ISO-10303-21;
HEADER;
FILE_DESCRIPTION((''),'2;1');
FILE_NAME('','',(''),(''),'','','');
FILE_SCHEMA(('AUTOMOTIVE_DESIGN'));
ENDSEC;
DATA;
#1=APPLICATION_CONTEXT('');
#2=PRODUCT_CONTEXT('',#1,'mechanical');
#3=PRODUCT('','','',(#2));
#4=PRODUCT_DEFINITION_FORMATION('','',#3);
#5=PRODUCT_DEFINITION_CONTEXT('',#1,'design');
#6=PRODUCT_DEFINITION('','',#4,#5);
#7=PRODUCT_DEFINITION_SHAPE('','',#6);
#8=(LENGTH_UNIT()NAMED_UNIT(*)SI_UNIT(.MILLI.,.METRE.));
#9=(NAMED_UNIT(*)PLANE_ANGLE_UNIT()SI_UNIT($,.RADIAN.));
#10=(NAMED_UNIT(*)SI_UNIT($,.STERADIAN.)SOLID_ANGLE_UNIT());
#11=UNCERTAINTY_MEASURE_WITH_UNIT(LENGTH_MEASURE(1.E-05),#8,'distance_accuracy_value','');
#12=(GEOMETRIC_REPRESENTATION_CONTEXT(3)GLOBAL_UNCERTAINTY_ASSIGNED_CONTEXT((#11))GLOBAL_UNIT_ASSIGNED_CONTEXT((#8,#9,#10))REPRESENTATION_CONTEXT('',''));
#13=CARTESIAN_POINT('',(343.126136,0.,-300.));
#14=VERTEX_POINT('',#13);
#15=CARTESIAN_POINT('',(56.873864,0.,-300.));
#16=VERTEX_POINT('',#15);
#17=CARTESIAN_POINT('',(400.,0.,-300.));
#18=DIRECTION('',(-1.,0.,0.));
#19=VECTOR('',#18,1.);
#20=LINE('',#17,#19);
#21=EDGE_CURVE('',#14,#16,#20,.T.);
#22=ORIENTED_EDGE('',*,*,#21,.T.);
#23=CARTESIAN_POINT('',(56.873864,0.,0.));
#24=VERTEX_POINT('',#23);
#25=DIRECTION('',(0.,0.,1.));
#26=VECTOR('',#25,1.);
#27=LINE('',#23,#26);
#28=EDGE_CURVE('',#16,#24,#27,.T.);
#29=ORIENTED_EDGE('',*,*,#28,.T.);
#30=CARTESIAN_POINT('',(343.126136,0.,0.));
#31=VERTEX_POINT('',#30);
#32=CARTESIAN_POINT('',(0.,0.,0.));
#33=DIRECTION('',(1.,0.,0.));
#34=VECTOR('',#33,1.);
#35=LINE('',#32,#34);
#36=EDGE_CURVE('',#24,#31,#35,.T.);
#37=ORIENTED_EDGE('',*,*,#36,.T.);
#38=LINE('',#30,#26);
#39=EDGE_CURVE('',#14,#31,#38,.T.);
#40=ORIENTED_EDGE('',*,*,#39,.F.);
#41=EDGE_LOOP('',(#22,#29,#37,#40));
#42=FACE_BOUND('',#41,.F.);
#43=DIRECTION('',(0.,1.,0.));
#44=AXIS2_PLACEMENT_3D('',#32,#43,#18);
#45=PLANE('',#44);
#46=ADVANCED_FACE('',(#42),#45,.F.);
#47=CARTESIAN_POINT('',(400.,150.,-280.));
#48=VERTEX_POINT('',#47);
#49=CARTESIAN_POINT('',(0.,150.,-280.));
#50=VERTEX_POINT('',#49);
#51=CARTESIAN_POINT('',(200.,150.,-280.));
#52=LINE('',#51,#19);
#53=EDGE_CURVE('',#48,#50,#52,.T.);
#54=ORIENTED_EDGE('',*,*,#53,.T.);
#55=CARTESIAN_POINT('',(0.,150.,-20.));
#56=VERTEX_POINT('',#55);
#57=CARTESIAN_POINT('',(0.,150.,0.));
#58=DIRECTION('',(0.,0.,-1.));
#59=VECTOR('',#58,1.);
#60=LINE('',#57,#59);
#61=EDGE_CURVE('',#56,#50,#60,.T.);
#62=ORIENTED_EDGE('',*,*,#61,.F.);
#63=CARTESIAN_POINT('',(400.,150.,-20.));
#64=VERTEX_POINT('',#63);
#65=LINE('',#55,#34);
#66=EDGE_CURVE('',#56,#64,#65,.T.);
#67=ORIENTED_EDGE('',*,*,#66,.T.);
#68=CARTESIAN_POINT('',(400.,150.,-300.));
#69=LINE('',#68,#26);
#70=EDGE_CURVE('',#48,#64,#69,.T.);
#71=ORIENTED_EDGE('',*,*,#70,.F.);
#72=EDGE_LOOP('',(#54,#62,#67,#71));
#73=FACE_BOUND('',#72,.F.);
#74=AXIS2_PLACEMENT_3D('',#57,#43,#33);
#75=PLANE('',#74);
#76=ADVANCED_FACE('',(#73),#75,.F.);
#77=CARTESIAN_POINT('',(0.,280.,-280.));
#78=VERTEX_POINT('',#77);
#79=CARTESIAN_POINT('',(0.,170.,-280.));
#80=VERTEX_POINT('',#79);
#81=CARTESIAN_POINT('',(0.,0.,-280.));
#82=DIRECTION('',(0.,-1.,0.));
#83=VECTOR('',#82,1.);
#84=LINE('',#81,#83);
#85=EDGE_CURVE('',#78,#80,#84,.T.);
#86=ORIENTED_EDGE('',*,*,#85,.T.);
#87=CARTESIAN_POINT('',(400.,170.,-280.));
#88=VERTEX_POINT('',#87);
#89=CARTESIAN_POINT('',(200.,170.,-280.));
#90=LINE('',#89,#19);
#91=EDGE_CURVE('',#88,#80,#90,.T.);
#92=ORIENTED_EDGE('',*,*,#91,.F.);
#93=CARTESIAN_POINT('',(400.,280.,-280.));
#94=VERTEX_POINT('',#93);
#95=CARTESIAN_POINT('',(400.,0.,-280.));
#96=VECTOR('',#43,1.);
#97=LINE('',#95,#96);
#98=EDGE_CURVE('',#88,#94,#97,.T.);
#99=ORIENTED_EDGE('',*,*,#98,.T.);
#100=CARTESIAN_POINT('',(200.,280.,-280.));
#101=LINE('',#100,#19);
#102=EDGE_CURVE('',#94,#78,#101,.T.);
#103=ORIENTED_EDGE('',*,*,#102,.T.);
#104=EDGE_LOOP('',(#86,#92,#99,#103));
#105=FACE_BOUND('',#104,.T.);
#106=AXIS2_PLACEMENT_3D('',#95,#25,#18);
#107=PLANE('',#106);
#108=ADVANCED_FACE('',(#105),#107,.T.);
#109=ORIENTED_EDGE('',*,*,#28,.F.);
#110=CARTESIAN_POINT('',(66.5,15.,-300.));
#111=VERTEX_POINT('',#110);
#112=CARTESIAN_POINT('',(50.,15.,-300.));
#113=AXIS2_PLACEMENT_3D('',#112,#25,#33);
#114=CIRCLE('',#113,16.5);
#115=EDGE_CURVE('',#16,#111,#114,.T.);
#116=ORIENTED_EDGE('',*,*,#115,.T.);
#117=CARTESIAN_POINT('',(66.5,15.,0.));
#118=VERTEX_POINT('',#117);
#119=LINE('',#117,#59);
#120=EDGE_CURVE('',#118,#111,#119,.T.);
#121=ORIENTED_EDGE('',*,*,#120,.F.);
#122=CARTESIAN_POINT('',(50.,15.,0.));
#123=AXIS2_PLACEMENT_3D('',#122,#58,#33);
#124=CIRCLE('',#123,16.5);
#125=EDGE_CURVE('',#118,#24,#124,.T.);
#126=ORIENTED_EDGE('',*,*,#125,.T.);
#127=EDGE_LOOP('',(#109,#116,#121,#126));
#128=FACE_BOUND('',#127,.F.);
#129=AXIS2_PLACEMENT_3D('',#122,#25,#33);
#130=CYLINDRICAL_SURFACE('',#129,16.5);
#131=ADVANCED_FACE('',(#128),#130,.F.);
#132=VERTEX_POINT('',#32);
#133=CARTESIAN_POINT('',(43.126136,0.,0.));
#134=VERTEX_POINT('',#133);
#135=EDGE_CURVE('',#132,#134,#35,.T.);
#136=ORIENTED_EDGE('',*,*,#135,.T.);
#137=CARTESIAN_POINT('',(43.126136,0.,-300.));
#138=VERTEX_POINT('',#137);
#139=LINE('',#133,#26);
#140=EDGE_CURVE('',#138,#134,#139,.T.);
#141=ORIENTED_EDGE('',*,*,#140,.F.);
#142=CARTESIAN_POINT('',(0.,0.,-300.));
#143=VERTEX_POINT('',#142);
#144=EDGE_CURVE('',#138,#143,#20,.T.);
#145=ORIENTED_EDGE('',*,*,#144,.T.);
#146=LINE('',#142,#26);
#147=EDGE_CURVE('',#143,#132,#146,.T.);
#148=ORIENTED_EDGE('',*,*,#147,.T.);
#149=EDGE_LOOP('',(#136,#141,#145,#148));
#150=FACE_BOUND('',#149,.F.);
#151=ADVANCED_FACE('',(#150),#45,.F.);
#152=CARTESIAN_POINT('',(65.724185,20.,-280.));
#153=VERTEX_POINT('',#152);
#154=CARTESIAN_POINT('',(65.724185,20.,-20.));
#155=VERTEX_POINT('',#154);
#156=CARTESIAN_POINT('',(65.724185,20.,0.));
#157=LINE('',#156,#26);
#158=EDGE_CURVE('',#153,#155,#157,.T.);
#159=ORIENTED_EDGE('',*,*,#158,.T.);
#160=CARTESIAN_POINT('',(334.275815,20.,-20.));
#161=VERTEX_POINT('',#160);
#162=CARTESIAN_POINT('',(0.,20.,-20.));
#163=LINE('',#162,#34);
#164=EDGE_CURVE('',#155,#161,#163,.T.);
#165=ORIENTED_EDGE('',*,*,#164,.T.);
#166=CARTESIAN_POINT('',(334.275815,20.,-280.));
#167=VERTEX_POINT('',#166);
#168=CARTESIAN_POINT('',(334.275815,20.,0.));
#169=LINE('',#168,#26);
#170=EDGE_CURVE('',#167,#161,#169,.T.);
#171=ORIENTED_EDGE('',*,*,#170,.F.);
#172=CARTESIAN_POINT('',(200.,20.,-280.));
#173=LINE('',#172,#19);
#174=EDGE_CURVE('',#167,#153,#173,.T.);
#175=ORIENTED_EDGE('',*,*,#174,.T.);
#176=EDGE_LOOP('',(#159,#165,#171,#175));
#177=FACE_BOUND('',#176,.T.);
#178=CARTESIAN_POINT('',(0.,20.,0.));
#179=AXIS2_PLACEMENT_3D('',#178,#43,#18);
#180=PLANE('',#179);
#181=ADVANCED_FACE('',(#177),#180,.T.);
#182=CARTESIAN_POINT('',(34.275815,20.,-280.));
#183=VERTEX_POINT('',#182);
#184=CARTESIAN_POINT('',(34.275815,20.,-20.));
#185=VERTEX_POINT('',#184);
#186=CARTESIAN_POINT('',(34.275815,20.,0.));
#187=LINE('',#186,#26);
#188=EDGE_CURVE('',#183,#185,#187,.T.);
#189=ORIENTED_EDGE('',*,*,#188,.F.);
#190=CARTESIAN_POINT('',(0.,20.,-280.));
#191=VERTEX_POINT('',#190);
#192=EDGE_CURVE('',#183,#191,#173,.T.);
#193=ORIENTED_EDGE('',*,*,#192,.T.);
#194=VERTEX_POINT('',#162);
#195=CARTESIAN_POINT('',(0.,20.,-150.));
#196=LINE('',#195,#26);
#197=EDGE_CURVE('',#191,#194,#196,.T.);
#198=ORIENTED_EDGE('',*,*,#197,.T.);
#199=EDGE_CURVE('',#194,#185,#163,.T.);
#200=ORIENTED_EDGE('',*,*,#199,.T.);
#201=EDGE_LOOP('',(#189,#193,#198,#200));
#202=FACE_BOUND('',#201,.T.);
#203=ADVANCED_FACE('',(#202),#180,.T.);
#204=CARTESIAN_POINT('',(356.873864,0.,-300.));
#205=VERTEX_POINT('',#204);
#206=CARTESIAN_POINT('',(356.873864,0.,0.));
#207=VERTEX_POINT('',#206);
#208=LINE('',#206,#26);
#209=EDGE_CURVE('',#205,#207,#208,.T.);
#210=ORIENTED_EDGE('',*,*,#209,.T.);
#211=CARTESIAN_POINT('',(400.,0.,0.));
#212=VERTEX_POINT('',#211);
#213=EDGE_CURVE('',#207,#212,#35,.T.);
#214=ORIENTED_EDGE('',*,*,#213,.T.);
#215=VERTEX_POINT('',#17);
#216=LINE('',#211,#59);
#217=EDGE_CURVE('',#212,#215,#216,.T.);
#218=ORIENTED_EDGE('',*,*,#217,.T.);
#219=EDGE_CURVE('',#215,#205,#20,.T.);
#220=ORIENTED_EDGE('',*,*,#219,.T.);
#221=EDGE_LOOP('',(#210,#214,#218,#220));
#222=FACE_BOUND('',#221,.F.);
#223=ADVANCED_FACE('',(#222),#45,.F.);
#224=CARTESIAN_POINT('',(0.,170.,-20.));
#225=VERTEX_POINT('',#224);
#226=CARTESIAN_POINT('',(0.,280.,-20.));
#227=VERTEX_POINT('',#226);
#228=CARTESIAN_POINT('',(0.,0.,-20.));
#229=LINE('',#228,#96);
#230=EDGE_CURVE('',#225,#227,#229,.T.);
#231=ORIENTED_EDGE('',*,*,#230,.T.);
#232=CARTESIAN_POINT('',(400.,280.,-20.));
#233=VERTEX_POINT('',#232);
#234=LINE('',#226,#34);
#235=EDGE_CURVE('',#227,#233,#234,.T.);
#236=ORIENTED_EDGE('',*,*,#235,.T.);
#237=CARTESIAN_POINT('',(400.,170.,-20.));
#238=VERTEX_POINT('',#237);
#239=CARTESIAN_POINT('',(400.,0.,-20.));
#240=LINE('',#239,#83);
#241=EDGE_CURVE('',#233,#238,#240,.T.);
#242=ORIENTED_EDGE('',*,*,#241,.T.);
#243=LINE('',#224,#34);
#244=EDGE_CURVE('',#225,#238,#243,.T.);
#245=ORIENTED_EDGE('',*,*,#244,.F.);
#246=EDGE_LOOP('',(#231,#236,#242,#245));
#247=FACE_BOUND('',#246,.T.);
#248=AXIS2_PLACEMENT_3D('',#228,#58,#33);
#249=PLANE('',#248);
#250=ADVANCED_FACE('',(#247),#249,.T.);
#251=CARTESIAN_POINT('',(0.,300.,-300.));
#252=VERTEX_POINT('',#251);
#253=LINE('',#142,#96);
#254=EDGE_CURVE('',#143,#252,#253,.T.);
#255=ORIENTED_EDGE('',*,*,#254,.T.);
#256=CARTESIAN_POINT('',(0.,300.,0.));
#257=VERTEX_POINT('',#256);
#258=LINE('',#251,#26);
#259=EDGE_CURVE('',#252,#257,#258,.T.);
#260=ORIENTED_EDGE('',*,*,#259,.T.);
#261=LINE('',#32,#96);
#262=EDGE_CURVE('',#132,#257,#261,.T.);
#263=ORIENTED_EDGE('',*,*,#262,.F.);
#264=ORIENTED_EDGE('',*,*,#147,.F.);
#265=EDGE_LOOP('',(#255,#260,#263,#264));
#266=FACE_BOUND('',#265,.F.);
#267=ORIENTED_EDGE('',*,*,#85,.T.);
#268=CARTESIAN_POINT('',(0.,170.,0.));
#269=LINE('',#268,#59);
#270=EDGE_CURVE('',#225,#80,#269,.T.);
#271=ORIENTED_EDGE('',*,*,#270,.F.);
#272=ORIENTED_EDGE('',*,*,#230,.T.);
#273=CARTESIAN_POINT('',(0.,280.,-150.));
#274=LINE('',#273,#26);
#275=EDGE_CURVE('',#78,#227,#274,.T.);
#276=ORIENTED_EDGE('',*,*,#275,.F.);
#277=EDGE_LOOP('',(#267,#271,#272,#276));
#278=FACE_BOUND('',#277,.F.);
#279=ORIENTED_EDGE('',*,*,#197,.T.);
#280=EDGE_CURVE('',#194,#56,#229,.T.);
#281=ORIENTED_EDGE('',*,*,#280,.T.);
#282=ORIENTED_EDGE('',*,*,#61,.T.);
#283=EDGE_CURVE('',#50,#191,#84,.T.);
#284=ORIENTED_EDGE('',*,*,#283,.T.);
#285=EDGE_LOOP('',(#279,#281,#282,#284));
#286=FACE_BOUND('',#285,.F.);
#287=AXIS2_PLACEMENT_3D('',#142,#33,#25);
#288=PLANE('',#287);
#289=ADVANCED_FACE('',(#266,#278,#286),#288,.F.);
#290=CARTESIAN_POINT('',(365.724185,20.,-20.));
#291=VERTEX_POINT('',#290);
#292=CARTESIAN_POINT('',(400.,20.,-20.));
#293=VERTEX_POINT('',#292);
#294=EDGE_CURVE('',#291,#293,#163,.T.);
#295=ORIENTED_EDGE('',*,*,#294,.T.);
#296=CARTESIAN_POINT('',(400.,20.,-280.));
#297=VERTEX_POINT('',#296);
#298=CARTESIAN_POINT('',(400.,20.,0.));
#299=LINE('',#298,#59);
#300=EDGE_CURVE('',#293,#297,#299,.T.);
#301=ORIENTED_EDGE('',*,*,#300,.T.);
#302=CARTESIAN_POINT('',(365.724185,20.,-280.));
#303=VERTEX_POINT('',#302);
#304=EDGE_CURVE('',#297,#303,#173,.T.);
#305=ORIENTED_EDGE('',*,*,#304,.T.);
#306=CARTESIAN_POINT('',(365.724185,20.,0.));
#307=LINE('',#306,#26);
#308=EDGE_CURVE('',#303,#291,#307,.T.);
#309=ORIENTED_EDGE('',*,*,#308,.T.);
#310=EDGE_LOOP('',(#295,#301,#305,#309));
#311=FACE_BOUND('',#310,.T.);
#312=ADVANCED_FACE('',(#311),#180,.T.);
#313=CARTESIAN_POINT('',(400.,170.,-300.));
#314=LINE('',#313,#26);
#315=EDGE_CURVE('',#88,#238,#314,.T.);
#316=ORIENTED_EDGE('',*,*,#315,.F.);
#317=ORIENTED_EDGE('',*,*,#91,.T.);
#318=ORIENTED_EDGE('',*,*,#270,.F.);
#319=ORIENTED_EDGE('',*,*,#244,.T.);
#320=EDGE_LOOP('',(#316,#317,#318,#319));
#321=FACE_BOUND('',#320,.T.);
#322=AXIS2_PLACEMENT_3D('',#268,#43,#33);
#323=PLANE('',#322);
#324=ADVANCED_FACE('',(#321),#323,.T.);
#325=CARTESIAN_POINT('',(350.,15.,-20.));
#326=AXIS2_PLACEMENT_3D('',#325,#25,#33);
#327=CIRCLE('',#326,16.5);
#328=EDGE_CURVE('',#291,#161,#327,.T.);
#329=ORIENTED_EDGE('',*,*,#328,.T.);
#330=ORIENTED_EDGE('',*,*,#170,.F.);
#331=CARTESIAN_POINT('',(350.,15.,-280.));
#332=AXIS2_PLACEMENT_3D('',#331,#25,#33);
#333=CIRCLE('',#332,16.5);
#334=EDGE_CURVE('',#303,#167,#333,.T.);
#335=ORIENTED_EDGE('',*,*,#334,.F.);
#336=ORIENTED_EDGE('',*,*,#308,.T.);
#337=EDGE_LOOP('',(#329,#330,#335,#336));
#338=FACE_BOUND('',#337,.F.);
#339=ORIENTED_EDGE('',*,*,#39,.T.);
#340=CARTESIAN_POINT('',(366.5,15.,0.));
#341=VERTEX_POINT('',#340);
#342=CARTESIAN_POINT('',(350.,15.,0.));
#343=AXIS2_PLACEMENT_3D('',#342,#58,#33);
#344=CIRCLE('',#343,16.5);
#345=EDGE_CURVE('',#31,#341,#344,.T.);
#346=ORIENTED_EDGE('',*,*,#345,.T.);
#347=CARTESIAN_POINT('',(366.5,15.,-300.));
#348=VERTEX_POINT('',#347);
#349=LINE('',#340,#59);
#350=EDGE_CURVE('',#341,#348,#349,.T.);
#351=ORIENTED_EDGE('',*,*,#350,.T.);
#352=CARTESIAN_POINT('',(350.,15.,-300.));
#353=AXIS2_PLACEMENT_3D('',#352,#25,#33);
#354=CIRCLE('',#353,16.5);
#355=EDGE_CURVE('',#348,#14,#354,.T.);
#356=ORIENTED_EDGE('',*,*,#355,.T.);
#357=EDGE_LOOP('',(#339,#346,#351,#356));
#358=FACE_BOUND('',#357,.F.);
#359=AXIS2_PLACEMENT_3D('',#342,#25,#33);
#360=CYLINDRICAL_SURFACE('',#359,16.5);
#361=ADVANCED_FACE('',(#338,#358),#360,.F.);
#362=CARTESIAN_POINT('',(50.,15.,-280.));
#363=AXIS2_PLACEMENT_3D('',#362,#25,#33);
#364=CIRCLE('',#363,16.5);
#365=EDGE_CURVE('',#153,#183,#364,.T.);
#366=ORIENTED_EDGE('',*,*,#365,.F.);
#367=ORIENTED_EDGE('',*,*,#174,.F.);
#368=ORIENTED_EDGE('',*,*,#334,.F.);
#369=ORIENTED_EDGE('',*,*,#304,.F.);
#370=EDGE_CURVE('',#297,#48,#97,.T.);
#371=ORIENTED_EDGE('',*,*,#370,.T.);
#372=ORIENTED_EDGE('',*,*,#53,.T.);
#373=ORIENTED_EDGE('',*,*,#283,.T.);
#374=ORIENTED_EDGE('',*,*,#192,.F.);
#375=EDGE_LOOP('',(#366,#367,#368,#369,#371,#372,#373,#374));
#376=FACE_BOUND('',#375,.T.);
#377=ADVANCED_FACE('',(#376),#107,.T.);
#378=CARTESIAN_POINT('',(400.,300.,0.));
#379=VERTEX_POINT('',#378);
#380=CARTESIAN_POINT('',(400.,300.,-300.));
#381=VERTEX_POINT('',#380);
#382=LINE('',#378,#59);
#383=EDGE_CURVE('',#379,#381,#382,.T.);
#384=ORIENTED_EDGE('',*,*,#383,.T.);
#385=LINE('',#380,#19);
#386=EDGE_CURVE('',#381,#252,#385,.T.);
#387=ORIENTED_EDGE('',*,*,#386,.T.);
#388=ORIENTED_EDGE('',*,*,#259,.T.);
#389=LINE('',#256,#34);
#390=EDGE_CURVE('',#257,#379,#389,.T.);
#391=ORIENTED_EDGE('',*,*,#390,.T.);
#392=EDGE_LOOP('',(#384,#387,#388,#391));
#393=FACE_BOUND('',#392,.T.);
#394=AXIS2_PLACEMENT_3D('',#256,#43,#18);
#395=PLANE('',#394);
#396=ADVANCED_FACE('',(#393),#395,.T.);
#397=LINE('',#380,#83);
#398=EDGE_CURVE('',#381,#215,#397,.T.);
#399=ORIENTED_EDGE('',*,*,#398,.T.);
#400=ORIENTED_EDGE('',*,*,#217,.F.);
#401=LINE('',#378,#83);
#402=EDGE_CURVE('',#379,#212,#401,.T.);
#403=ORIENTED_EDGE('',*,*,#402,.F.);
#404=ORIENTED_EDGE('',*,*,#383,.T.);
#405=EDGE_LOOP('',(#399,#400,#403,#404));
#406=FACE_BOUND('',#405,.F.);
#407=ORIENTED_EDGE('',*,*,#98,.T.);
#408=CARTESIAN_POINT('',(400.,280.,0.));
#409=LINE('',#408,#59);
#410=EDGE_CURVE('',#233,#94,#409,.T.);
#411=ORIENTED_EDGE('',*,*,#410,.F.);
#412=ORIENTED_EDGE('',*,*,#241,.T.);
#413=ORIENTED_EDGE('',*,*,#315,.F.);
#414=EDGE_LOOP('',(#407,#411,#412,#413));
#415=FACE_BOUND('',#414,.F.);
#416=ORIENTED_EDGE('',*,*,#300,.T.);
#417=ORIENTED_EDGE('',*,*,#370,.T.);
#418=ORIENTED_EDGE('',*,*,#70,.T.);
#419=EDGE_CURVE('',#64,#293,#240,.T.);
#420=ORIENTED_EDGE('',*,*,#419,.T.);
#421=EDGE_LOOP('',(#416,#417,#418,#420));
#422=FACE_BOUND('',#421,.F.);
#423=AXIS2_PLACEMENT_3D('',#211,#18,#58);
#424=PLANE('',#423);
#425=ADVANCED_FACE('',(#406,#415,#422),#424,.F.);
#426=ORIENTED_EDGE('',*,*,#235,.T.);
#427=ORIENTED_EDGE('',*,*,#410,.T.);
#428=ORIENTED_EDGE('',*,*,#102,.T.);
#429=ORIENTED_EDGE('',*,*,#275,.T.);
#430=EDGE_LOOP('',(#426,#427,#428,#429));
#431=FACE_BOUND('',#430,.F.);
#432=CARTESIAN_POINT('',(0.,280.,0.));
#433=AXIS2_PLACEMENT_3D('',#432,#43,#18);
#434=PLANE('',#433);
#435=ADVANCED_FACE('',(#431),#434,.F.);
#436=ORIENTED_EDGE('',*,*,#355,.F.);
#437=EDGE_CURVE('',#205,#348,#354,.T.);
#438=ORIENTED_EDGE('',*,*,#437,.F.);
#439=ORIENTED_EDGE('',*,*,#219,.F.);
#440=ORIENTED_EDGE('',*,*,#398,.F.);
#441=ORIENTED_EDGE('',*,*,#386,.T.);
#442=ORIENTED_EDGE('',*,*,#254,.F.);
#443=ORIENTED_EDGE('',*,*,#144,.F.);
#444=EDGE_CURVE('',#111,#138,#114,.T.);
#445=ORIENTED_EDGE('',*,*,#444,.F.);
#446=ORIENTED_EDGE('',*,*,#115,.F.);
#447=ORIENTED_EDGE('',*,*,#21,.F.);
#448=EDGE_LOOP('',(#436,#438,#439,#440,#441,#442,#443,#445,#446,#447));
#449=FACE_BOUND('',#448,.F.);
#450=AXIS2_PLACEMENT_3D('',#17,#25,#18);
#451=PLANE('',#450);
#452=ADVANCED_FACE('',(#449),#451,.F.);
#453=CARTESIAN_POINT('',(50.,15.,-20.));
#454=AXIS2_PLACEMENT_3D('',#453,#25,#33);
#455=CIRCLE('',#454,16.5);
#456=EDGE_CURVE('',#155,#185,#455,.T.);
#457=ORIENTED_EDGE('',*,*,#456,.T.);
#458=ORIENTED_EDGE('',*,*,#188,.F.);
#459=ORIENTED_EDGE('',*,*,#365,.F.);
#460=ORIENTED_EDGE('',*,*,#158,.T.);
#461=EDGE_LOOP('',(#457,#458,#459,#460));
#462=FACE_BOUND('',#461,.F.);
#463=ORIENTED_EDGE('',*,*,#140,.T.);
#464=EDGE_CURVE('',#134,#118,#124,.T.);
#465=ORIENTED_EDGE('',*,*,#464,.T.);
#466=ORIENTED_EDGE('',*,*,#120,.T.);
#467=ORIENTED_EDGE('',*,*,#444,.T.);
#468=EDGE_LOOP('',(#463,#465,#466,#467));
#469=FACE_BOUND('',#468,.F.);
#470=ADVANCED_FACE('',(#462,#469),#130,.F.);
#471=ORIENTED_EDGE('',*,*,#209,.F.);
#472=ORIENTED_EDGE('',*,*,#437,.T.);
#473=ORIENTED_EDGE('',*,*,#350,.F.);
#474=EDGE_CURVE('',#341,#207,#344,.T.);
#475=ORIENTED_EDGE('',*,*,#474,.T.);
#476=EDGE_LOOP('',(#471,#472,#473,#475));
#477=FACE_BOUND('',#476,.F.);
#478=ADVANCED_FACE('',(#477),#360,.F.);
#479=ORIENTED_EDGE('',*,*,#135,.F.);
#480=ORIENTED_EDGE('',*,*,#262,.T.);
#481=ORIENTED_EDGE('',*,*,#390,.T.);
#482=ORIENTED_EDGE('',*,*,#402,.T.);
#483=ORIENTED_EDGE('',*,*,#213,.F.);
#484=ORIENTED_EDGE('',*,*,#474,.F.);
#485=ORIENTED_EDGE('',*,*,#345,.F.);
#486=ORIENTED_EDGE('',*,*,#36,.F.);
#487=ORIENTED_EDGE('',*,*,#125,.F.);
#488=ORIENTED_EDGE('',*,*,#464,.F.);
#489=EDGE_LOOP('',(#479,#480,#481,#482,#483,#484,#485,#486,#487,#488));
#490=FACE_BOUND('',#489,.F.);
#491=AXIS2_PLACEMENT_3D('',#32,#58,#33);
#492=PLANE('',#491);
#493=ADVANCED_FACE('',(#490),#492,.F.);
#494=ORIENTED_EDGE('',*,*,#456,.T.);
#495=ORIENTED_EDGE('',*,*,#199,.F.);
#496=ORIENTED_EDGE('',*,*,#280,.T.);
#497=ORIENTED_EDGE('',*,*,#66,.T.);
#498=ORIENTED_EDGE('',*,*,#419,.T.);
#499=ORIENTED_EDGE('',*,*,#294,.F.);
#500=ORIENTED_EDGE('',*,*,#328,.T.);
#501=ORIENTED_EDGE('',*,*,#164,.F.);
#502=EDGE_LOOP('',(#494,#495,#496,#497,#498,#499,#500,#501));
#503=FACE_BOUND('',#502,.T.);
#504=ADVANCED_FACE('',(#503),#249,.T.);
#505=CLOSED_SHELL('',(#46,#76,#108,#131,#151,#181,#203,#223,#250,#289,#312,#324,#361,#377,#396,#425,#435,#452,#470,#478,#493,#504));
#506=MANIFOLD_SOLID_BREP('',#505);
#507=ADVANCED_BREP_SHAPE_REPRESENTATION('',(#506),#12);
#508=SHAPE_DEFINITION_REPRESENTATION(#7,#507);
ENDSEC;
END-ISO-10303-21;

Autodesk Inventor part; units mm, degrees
ref_plane "YZ Plane" through (0, 0, 0) normal (1, 0, 0) x (0, 1, 0)
ref_plane "XZ Plane" through (0, 0, 0) normal (0, 1, 0) x (-1, 0, 0)
sketch "Sketch1" plane through (0, 0, 0) normal (0, 1, 0) x (-1, 0, 0)
  line L0 (0, 0) -> (-400, 0)
  line L1 (-400, 0) -> (-400, -300)
  line L2 (-400, -300) -> (0, -300)
  line L3 (0, -300) -> (0, 0)
  dimension "d0" = 400
  dimension "d1" = 300
extrude "Extrusion1" add sketch "Sketch1" along normal blind 300
shell "Shell2" thickness 20 removed faces 2 at (0, 100, -200) at (400, 100, -100)
sketch "Sketch2" plane through (0, 0, 0) normal (0, 0, 1) x (1, 0, 0)
  circle A0 centre (50, 15) radius 16.5
  circle A1 centre (350, 15) radius 16.5
  line L0 (0, 0) -> (400, 0) projected
  dimension "d13" = 33
  dimension "d14" = 33
  dimension "d19" = 15
  dimension "d20" = 15
extrude "Extrusion2" cut sketch "Sketch2" against normal through all
ref_plane "Work Plane1" through (0, 160, 0) normal (0, 1, 0) x (1, 0, 0)
sketch "Sketch3" plane through (0, 160, 0) normal (0, 1, 0) x (1, 0, 0)
  line L0 (400, 300) -> (0, 300) projected
  line L1 (0, 300) -> (400, 300)
  line L2 (400, 300) -> (400, 0)
  line L3 (400, 0) -> (0, 0)
  line L4 (0, 0) -> (0, 300)
extrude "Extrusion3" add sketch "Sketch3" along normal mid plane 20
